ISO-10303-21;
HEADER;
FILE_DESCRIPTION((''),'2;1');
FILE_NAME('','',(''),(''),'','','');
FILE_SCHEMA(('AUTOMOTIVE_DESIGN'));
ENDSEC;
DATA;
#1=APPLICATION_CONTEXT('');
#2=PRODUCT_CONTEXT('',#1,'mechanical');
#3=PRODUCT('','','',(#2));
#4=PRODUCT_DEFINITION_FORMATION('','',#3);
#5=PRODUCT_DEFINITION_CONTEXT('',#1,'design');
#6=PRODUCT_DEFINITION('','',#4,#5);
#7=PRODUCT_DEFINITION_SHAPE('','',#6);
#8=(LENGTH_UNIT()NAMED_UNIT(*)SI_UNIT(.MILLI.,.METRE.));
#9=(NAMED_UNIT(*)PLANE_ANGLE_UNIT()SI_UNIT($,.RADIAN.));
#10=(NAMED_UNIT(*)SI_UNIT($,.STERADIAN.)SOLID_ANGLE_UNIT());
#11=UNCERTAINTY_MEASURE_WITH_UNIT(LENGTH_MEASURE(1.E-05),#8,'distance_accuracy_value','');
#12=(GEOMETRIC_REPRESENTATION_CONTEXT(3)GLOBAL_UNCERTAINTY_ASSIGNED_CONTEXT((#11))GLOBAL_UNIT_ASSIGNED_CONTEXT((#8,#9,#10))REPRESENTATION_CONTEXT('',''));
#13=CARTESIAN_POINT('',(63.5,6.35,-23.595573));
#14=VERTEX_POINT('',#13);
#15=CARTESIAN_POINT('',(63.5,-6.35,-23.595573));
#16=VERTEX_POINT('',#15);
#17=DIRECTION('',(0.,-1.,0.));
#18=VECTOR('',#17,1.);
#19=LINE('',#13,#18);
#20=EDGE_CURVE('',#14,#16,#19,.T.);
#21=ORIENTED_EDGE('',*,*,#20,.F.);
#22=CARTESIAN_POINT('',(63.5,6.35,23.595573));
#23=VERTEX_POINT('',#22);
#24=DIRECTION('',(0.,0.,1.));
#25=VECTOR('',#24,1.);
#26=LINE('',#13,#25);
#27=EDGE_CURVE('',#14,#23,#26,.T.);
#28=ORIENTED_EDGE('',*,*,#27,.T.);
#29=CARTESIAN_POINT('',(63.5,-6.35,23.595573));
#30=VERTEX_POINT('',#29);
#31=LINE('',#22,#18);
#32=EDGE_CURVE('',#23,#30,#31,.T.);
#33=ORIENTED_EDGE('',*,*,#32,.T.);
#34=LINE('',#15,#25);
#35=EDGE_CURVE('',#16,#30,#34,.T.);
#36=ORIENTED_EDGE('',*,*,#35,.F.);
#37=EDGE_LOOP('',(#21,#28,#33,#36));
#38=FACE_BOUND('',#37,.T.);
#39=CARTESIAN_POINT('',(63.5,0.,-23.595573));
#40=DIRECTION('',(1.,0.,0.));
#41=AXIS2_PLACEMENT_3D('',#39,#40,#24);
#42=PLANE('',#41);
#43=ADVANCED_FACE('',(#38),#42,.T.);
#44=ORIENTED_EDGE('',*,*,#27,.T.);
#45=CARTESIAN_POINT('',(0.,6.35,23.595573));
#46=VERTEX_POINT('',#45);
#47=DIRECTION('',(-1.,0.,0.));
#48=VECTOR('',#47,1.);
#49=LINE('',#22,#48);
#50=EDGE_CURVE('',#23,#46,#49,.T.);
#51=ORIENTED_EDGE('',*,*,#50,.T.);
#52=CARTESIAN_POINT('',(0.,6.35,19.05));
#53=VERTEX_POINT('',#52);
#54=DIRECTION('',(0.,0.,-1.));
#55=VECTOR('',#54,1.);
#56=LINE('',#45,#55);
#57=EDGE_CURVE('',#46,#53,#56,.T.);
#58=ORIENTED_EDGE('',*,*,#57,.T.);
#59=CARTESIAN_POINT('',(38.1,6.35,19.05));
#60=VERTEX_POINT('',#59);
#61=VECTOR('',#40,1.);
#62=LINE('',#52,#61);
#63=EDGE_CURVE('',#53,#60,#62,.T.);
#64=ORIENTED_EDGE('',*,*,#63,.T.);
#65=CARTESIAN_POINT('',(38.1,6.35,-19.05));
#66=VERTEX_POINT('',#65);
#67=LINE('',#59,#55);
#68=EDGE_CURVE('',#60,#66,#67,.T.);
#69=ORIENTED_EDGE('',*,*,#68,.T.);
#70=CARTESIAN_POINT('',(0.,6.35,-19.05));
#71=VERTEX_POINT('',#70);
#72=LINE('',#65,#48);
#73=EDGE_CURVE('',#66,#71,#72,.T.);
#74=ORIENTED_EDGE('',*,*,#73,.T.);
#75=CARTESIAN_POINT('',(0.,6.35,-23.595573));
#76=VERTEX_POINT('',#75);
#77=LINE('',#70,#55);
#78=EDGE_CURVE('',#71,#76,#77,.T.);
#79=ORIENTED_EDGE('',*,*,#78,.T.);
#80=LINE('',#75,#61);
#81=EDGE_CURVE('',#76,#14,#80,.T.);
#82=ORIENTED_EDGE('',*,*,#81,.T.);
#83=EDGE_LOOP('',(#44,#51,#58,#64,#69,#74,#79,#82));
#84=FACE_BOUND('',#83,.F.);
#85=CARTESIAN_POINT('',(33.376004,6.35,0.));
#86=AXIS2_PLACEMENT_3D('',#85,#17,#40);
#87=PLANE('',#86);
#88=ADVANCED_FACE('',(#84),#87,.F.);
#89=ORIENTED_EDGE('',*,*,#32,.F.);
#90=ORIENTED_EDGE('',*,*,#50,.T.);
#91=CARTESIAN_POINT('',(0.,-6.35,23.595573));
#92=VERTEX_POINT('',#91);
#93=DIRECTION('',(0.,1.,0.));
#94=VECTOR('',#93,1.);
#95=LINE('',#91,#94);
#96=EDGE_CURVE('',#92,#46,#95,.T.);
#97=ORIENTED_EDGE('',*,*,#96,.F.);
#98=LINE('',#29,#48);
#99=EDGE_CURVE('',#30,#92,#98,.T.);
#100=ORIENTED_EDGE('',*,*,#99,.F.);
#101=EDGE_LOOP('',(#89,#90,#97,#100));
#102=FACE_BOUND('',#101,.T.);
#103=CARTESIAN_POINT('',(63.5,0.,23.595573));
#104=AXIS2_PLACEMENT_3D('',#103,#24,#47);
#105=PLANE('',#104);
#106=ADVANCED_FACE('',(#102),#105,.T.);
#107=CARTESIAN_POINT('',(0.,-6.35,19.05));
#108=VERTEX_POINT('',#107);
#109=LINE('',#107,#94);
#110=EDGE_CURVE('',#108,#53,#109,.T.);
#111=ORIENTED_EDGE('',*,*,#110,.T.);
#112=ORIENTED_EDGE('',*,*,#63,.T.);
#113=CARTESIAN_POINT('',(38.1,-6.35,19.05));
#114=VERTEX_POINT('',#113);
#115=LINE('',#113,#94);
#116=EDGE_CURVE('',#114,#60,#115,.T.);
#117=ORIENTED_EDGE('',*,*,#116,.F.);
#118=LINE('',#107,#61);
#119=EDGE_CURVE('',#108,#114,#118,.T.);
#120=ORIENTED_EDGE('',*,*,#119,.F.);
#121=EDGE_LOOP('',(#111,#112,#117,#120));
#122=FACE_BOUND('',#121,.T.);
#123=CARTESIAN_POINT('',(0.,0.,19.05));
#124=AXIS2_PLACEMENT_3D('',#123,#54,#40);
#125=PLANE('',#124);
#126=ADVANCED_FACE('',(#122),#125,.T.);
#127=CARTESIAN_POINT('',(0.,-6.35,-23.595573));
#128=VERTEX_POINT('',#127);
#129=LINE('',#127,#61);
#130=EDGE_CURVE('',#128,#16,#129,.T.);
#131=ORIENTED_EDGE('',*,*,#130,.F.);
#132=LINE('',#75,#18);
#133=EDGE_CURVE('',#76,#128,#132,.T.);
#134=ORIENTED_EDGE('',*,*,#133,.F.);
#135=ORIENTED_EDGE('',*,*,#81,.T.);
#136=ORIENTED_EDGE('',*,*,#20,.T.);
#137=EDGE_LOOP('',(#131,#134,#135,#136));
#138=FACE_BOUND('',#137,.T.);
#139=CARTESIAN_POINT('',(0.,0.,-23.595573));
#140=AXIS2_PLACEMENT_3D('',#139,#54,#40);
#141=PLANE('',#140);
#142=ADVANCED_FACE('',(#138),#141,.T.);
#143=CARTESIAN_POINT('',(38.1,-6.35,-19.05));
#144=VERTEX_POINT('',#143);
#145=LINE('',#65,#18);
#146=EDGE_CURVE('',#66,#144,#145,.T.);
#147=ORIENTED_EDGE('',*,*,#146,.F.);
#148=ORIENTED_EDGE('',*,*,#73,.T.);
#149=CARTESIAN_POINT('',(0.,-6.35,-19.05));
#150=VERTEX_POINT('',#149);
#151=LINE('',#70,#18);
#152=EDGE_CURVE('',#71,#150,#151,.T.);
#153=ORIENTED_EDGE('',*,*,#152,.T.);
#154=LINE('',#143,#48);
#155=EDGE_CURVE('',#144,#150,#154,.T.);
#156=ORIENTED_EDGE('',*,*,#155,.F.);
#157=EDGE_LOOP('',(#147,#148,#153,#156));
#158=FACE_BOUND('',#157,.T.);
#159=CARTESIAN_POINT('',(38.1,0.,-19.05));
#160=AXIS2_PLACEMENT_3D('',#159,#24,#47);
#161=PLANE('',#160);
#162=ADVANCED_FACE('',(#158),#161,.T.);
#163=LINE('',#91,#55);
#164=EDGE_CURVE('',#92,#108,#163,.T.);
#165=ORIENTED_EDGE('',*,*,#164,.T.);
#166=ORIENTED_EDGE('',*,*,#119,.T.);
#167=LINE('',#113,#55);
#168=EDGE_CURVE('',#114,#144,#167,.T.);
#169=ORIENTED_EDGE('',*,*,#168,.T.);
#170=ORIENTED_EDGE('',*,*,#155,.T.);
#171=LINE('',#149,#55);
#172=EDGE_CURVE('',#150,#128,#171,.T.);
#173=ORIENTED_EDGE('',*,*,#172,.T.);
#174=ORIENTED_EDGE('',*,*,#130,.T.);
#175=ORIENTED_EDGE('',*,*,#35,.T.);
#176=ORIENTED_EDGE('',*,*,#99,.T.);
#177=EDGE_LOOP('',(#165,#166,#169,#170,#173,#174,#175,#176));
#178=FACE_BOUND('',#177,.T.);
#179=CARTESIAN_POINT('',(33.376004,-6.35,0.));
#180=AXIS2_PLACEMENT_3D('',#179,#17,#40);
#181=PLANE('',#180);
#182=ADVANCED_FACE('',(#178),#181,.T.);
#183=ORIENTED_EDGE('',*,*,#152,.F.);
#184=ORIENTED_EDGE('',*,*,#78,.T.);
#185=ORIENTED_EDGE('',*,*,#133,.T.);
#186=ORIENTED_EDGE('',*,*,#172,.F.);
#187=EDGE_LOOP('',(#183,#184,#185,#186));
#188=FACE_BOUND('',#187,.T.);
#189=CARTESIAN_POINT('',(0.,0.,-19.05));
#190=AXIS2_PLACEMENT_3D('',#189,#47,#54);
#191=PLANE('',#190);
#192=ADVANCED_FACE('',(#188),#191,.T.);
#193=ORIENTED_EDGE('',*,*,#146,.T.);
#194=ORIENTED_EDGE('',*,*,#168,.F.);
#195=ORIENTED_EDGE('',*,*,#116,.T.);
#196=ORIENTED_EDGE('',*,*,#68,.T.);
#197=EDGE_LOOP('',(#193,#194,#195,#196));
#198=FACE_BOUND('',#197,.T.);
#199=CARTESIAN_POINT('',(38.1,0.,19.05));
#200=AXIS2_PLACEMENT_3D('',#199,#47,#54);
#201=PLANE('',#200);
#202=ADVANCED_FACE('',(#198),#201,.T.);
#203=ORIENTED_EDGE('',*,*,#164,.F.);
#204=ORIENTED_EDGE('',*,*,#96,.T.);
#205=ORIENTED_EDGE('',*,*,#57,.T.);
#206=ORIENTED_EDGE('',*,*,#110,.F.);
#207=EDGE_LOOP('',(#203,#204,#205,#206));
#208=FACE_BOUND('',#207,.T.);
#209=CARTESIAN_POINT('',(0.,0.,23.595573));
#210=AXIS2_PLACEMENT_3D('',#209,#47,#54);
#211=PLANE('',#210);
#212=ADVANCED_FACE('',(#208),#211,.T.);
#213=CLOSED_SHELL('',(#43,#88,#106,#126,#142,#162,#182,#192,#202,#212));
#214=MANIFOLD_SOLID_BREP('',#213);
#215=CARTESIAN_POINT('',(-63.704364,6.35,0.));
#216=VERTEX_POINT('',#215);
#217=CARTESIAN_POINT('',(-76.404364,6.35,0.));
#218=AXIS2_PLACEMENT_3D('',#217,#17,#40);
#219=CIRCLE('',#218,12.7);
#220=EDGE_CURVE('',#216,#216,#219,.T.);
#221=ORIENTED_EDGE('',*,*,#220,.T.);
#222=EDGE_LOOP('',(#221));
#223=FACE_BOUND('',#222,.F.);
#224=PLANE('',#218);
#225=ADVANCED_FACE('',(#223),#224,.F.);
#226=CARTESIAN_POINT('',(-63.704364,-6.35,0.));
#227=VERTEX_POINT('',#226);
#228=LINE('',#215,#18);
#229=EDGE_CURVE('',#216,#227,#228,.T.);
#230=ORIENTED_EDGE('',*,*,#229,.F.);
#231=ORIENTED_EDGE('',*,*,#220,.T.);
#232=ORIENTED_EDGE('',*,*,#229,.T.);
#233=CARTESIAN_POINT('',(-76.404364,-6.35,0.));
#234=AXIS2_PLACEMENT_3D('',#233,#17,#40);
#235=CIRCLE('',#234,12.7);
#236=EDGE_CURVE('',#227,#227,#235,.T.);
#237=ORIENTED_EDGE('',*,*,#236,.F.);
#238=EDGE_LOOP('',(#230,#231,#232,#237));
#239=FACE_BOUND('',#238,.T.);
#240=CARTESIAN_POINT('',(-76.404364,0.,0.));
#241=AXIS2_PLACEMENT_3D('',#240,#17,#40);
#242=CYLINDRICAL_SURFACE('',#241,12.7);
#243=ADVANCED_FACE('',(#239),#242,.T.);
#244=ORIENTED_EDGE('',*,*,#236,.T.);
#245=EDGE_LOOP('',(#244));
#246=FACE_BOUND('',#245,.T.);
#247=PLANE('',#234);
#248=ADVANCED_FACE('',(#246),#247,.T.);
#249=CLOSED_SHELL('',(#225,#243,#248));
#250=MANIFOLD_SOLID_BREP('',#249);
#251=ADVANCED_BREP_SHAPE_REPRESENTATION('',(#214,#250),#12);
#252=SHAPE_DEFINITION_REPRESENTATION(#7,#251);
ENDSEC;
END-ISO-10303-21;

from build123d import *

# Parameters (mm, degrees)
F2_DEPTH = 6.35
F1_R     = 12.7


with BuildPart() as f2:
    # F0 (on Front) → F2 (new body, symmetric)
    with BuildSketch(Plane.XZ):
        Polygon((38.1, 19.05), (38.1, 0), (38.1, -19.05), (0, -19.05), (0, -23.5955733232), (63.5, -23.5955733232), (63.5, 0), (63.5, 23.5955733232), (0, 23.5955733232), (0, 19.05), align=None)
    extrude(amount=F2_DEPTH, both=True)


with BuildPart() as f2b:
    # F1 (on Front) → F2, piece 2 (new body, symmetric)
    with BuildSketch(Plane.XZ):
        with Locations((-76.4043643611, 0)):
            Circle(F1_R)
    extrude(amount=F2_DEPTH, both=True)


solid = Compound([f2.part, f2b.part])
